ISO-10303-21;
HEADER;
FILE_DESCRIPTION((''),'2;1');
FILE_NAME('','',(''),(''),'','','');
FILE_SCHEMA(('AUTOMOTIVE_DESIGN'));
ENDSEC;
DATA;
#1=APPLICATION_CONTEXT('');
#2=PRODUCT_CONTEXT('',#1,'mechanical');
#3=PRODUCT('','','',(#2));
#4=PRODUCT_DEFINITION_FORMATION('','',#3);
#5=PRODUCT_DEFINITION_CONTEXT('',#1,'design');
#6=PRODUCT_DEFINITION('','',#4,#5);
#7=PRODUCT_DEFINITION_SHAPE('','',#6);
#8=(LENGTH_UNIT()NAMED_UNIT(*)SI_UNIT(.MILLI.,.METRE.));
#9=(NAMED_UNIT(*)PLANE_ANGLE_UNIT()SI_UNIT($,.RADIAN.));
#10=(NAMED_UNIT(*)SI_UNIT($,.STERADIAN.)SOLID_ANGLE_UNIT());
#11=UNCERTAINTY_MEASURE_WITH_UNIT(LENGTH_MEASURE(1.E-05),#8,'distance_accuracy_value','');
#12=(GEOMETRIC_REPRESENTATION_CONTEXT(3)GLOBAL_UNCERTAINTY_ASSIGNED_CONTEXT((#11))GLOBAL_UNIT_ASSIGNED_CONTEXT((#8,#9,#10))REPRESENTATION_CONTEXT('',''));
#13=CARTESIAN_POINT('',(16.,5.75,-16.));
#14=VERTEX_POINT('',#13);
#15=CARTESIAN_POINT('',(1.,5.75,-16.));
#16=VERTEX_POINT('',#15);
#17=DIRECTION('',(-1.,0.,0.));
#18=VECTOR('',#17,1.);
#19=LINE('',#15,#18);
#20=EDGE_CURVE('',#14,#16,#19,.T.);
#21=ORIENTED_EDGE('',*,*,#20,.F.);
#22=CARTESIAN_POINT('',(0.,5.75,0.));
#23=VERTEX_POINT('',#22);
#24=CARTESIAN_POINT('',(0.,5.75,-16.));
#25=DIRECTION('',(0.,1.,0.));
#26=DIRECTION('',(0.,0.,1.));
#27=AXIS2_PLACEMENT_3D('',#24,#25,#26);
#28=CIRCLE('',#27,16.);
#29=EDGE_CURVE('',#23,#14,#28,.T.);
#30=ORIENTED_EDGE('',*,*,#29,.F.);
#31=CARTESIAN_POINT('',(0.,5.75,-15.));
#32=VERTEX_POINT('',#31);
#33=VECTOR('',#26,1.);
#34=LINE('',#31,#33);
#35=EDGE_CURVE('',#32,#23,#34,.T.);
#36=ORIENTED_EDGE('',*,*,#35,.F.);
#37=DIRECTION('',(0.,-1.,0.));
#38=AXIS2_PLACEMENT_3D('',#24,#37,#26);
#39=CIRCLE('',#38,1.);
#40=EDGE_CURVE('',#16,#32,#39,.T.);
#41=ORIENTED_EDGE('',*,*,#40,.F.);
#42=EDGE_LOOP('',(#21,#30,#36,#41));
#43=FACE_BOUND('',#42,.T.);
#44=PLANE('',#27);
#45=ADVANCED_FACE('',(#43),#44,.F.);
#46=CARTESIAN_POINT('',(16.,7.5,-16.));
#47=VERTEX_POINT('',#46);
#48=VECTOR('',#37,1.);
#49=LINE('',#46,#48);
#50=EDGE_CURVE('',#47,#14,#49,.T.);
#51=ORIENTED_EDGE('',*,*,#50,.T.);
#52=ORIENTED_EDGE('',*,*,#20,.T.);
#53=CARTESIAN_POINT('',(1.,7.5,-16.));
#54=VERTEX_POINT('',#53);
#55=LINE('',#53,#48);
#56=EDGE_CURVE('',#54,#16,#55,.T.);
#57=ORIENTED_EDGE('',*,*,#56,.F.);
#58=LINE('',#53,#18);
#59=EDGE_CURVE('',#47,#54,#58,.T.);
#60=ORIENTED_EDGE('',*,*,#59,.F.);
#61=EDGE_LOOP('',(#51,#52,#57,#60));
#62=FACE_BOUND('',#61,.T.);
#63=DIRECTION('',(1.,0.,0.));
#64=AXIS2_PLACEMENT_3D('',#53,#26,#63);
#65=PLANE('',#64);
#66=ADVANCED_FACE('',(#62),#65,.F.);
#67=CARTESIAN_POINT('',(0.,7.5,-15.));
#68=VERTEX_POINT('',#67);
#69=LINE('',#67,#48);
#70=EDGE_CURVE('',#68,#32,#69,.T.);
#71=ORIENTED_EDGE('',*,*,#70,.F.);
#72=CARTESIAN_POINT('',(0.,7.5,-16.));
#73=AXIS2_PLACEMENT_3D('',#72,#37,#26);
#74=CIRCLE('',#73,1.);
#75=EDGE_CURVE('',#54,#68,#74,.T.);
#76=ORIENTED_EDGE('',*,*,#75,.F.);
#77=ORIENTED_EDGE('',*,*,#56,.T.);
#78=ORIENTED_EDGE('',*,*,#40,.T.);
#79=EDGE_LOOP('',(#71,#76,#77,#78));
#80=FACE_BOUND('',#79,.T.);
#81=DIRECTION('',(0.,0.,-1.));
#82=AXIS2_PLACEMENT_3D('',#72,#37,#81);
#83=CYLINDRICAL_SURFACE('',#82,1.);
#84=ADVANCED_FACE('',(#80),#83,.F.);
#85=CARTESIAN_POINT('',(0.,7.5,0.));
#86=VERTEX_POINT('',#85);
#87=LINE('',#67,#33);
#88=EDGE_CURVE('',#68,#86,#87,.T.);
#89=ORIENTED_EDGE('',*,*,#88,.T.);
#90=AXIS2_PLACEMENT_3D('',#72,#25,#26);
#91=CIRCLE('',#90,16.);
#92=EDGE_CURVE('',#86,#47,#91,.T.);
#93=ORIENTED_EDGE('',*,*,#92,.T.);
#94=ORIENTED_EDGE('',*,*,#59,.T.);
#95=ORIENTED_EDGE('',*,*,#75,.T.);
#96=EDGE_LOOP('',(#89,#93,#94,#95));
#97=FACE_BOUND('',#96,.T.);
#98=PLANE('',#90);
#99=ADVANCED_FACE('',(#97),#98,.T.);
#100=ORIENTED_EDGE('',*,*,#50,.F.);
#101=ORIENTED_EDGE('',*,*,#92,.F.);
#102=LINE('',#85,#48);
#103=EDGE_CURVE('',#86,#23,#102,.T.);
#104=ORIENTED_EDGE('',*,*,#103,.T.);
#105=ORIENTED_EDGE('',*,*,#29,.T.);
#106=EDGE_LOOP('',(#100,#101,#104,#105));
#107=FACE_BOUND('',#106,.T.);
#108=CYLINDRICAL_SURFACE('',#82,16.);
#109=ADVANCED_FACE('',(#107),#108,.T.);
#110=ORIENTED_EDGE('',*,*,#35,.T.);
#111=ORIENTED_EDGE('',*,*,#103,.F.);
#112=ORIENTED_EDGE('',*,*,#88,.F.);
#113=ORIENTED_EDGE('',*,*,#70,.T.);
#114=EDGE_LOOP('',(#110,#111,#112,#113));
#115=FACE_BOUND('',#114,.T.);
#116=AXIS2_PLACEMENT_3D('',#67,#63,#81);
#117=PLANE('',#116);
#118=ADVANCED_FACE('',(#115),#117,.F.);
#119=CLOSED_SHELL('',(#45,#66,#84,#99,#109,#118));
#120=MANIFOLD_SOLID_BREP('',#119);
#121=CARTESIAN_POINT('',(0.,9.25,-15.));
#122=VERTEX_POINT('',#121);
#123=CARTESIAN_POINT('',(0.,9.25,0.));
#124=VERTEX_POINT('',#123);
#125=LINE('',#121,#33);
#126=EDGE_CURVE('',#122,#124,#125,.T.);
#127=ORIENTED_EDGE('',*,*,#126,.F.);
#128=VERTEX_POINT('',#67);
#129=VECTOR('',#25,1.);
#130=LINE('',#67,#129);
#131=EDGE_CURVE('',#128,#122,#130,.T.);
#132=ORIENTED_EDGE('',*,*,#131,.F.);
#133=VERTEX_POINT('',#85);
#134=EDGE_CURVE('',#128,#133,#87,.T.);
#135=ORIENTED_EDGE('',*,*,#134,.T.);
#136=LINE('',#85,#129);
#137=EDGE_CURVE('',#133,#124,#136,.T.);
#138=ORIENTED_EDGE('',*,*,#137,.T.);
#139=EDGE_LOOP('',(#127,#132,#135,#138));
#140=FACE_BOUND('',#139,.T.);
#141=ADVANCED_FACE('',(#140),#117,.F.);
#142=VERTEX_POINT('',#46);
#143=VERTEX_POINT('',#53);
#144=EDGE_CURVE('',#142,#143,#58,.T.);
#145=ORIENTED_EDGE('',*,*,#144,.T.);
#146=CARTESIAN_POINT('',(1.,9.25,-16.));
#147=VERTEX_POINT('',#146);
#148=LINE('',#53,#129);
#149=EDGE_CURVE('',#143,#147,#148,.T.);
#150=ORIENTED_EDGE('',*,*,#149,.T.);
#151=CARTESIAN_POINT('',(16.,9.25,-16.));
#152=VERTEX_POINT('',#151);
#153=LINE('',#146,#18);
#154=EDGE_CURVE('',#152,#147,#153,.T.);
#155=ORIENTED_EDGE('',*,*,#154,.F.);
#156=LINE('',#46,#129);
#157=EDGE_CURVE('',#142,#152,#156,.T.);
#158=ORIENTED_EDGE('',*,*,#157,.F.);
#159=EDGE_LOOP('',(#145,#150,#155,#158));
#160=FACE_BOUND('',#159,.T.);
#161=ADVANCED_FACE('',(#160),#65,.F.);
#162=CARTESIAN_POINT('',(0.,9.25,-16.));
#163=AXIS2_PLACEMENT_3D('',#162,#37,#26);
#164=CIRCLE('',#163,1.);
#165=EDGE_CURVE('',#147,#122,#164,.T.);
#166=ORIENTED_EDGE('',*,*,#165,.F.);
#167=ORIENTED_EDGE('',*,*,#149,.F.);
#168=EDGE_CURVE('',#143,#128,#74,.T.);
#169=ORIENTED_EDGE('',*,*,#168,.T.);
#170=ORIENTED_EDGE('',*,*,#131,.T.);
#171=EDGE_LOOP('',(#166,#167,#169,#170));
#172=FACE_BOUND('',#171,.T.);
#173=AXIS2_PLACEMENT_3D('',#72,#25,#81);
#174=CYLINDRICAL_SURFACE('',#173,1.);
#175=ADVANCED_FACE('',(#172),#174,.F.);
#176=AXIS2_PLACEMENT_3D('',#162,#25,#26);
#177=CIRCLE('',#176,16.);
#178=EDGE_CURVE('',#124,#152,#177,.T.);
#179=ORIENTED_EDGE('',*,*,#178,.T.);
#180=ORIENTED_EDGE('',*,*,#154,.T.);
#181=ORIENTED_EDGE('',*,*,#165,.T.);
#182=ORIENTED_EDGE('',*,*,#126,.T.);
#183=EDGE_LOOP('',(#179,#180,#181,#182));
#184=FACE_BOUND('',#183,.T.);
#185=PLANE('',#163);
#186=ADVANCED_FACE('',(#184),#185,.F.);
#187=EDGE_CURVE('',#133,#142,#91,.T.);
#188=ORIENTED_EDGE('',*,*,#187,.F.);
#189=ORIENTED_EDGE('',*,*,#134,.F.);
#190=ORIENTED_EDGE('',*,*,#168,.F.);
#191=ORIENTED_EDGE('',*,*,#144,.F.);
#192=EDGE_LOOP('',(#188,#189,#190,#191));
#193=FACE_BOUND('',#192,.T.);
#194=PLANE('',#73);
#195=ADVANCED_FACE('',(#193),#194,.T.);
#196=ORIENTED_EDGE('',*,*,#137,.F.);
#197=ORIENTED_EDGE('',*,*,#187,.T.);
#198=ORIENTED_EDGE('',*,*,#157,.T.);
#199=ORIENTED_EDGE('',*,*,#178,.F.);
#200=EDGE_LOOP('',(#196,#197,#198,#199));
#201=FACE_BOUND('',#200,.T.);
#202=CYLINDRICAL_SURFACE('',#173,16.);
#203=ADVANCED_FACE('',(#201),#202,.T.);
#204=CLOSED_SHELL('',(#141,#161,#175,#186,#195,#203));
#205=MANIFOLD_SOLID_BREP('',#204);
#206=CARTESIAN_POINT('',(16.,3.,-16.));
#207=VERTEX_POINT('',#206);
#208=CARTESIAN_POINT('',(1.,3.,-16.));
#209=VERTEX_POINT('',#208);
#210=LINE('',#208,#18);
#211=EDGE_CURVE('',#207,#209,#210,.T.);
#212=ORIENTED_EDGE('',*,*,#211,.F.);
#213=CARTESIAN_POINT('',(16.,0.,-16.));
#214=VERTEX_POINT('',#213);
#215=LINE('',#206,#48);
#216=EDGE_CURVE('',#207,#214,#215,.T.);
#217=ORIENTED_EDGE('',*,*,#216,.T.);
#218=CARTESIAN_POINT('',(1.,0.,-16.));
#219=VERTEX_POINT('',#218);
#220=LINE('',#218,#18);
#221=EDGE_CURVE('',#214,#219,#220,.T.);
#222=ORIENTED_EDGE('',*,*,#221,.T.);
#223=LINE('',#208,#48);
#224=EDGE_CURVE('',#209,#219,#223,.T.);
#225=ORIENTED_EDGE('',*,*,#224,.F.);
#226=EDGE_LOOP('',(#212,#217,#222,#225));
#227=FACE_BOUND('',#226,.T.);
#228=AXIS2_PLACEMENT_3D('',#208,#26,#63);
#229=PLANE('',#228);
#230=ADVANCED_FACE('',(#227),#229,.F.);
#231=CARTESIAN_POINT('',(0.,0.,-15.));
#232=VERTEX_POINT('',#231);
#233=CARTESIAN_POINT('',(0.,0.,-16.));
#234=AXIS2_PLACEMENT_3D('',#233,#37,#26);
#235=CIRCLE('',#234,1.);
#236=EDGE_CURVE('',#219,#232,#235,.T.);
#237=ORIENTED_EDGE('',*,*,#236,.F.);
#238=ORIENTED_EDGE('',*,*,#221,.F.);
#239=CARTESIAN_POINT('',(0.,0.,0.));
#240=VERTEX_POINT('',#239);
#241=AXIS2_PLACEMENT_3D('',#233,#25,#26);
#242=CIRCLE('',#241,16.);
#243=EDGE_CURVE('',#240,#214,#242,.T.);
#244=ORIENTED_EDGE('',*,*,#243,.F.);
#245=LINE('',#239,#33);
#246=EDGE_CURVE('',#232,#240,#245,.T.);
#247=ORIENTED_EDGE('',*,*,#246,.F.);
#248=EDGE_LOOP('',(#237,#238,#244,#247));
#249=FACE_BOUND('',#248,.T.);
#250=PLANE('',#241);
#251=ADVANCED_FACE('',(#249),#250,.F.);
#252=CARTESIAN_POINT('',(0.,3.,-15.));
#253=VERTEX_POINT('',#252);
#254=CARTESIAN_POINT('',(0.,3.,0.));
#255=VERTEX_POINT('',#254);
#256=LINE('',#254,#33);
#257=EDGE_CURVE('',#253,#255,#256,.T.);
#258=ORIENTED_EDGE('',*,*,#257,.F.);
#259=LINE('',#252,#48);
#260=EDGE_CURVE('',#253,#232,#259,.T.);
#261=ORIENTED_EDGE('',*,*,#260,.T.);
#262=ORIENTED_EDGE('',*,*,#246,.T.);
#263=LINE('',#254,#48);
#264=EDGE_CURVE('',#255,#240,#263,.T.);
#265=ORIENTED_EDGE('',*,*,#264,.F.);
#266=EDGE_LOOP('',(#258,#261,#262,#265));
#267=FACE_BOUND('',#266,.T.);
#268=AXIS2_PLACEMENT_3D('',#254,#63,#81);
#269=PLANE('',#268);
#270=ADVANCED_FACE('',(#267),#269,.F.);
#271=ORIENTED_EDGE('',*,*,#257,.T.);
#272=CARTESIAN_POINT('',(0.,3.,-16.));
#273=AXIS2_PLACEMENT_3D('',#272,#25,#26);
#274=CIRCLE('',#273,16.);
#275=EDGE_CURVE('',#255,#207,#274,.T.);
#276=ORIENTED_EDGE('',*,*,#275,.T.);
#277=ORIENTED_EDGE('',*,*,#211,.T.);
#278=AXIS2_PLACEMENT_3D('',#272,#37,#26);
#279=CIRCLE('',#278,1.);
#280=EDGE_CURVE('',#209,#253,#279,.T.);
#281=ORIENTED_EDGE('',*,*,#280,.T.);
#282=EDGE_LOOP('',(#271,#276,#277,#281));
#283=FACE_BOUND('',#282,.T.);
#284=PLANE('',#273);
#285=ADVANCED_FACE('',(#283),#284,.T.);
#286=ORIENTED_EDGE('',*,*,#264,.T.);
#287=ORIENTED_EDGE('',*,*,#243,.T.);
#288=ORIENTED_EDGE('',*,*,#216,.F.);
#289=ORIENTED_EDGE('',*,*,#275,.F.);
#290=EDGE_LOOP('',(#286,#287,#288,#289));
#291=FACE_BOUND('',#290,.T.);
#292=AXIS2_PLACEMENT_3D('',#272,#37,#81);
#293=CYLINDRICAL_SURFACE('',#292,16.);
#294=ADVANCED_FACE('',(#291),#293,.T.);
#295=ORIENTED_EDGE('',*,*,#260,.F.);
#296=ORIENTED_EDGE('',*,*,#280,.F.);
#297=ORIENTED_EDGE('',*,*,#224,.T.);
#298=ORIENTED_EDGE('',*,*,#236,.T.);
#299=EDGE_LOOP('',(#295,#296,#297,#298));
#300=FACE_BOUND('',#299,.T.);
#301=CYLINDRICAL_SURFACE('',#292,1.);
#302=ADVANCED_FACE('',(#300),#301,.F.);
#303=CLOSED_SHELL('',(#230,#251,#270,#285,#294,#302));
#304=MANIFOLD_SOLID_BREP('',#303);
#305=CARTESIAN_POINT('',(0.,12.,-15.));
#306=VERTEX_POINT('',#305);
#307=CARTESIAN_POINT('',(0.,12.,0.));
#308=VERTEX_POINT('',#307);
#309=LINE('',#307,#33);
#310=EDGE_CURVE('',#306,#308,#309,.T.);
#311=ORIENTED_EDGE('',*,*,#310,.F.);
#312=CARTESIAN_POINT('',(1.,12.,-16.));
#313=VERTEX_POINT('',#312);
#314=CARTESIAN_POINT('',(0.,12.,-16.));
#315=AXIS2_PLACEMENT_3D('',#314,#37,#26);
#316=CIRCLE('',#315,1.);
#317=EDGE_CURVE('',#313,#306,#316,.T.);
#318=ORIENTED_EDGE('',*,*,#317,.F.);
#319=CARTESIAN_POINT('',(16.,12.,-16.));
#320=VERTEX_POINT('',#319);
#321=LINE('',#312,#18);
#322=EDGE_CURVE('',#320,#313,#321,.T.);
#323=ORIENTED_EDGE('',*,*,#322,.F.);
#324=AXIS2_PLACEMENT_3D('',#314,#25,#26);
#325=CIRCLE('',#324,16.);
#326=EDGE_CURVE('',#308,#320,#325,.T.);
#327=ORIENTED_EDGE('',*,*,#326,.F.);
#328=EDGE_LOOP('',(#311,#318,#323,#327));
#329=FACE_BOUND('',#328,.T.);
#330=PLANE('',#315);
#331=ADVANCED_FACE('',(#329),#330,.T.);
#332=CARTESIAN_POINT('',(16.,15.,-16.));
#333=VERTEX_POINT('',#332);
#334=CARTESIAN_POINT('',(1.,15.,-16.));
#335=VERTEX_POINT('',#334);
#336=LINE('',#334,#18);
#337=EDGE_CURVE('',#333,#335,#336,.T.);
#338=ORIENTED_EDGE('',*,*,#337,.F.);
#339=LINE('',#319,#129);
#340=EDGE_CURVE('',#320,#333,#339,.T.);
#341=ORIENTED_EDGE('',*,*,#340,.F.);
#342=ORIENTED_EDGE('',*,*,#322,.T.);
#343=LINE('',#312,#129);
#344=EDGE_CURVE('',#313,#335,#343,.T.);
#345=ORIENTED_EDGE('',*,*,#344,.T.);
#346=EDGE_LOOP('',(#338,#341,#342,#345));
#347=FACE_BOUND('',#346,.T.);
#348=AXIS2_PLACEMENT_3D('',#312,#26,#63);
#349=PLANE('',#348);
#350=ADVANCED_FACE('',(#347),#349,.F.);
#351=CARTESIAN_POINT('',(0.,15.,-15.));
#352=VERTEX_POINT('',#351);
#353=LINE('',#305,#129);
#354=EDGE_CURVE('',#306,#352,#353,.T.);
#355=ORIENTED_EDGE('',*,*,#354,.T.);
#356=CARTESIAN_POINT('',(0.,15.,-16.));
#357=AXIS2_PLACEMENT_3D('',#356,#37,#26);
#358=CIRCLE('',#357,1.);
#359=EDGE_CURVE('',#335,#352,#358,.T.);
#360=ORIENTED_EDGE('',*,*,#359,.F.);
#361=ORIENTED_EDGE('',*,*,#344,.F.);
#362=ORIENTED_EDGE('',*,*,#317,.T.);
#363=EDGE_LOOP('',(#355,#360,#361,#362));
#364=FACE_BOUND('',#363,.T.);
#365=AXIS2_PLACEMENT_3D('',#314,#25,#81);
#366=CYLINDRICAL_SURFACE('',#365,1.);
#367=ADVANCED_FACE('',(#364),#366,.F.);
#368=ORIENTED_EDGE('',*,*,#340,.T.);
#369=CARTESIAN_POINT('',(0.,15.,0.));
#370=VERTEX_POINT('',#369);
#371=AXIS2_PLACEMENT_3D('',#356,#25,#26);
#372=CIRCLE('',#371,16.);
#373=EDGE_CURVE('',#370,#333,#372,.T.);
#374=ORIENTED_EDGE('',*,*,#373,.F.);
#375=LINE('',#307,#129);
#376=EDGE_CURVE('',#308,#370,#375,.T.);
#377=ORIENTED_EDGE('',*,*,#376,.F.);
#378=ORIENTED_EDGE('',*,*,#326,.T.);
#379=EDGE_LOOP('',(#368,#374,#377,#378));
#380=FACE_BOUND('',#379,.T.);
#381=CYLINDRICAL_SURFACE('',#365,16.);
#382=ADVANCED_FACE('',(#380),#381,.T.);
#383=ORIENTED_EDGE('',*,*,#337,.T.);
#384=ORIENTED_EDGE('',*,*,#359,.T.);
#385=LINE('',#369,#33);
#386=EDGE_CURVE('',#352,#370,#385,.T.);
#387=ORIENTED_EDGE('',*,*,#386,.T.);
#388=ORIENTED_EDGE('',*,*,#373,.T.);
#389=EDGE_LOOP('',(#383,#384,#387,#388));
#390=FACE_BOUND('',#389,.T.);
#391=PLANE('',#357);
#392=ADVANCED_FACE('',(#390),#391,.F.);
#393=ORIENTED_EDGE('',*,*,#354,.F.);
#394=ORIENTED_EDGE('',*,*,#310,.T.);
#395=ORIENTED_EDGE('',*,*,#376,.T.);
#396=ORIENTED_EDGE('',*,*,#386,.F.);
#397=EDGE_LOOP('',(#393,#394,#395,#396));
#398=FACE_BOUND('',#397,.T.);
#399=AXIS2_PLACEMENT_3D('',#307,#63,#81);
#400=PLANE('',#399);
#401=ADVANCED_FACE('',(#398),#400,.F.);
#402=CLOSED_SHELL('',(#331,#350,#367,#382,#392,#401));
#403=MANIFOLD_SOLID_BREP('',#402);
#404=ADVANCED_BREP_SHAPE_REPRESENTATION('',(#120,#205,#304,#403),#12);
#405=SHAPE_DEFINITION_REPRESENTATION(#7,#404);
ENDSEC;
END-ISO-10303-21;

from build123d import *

# Parameters (mm, degrees)
BOSS_EXTRUDE1_DEPTH = 3
BOSS_EXTRUDE2_DEPTH = 1.75


with BuildPart() as part:
    # Sketch1 → Boss-Extrude1 (new body)
    with BuildSketch(Plane(origin=(0, 0, 0), x_dir=(1, 0, 0), z_dir=(0, 1, 0))):
        with BuildLine():
            Line((0, 0), (0, 15))
            ThreePointArc((0, 15), (0.707106781, 15.292893219), (1, 16))
            Line((1, 16), (16, 16))
            ThreePointArc((16, 16), (11.313708499, 4.686291501), (0, 0))
        make_face()
    extrude(amount=BOSS_EXTRUDE1_DEPTH)


with BuildPart() as body_2:
    # Sketch2 → Boss-Extrude2 (new body)
    with BuildSketch(Plane(origin=(0, 5.75, 0), x_dir=(1, 0, 0), z_dir=(0, 1, 0))):
        with BuildLine():
            Line((1, 16), (16, 16))
            ThreePointArc((16, 16), (11.313708499, 4.686291501), (0, 0))
            Line((0, 0), (0, 15))
            ThreePointArc((0, 15), (0.707106781, 15.292893219), (1, 16))
        make_face()
    extrude(amount=BOSS_EXTRUDE2_DEPTH)


with BuildPart() as body_3:
    # Mirror1: mirrored copy
    add(part.part.mirror(Plane(origin=(0, 7.5, -16), x_dir=(0, 0, 1), z_dir=(0, 1, 0))))


with BuildPart() as body_4:
    # Mirror1 2: mirrored copy
    add(body_2.part.mirror(Plane(origin=(0, 7.5, -16), x_dir=(0, 0, 1), z_dir=(0, 1, 0))))


solid = Compound([part.part, body_2.part, body_3.part, body_4.part])
